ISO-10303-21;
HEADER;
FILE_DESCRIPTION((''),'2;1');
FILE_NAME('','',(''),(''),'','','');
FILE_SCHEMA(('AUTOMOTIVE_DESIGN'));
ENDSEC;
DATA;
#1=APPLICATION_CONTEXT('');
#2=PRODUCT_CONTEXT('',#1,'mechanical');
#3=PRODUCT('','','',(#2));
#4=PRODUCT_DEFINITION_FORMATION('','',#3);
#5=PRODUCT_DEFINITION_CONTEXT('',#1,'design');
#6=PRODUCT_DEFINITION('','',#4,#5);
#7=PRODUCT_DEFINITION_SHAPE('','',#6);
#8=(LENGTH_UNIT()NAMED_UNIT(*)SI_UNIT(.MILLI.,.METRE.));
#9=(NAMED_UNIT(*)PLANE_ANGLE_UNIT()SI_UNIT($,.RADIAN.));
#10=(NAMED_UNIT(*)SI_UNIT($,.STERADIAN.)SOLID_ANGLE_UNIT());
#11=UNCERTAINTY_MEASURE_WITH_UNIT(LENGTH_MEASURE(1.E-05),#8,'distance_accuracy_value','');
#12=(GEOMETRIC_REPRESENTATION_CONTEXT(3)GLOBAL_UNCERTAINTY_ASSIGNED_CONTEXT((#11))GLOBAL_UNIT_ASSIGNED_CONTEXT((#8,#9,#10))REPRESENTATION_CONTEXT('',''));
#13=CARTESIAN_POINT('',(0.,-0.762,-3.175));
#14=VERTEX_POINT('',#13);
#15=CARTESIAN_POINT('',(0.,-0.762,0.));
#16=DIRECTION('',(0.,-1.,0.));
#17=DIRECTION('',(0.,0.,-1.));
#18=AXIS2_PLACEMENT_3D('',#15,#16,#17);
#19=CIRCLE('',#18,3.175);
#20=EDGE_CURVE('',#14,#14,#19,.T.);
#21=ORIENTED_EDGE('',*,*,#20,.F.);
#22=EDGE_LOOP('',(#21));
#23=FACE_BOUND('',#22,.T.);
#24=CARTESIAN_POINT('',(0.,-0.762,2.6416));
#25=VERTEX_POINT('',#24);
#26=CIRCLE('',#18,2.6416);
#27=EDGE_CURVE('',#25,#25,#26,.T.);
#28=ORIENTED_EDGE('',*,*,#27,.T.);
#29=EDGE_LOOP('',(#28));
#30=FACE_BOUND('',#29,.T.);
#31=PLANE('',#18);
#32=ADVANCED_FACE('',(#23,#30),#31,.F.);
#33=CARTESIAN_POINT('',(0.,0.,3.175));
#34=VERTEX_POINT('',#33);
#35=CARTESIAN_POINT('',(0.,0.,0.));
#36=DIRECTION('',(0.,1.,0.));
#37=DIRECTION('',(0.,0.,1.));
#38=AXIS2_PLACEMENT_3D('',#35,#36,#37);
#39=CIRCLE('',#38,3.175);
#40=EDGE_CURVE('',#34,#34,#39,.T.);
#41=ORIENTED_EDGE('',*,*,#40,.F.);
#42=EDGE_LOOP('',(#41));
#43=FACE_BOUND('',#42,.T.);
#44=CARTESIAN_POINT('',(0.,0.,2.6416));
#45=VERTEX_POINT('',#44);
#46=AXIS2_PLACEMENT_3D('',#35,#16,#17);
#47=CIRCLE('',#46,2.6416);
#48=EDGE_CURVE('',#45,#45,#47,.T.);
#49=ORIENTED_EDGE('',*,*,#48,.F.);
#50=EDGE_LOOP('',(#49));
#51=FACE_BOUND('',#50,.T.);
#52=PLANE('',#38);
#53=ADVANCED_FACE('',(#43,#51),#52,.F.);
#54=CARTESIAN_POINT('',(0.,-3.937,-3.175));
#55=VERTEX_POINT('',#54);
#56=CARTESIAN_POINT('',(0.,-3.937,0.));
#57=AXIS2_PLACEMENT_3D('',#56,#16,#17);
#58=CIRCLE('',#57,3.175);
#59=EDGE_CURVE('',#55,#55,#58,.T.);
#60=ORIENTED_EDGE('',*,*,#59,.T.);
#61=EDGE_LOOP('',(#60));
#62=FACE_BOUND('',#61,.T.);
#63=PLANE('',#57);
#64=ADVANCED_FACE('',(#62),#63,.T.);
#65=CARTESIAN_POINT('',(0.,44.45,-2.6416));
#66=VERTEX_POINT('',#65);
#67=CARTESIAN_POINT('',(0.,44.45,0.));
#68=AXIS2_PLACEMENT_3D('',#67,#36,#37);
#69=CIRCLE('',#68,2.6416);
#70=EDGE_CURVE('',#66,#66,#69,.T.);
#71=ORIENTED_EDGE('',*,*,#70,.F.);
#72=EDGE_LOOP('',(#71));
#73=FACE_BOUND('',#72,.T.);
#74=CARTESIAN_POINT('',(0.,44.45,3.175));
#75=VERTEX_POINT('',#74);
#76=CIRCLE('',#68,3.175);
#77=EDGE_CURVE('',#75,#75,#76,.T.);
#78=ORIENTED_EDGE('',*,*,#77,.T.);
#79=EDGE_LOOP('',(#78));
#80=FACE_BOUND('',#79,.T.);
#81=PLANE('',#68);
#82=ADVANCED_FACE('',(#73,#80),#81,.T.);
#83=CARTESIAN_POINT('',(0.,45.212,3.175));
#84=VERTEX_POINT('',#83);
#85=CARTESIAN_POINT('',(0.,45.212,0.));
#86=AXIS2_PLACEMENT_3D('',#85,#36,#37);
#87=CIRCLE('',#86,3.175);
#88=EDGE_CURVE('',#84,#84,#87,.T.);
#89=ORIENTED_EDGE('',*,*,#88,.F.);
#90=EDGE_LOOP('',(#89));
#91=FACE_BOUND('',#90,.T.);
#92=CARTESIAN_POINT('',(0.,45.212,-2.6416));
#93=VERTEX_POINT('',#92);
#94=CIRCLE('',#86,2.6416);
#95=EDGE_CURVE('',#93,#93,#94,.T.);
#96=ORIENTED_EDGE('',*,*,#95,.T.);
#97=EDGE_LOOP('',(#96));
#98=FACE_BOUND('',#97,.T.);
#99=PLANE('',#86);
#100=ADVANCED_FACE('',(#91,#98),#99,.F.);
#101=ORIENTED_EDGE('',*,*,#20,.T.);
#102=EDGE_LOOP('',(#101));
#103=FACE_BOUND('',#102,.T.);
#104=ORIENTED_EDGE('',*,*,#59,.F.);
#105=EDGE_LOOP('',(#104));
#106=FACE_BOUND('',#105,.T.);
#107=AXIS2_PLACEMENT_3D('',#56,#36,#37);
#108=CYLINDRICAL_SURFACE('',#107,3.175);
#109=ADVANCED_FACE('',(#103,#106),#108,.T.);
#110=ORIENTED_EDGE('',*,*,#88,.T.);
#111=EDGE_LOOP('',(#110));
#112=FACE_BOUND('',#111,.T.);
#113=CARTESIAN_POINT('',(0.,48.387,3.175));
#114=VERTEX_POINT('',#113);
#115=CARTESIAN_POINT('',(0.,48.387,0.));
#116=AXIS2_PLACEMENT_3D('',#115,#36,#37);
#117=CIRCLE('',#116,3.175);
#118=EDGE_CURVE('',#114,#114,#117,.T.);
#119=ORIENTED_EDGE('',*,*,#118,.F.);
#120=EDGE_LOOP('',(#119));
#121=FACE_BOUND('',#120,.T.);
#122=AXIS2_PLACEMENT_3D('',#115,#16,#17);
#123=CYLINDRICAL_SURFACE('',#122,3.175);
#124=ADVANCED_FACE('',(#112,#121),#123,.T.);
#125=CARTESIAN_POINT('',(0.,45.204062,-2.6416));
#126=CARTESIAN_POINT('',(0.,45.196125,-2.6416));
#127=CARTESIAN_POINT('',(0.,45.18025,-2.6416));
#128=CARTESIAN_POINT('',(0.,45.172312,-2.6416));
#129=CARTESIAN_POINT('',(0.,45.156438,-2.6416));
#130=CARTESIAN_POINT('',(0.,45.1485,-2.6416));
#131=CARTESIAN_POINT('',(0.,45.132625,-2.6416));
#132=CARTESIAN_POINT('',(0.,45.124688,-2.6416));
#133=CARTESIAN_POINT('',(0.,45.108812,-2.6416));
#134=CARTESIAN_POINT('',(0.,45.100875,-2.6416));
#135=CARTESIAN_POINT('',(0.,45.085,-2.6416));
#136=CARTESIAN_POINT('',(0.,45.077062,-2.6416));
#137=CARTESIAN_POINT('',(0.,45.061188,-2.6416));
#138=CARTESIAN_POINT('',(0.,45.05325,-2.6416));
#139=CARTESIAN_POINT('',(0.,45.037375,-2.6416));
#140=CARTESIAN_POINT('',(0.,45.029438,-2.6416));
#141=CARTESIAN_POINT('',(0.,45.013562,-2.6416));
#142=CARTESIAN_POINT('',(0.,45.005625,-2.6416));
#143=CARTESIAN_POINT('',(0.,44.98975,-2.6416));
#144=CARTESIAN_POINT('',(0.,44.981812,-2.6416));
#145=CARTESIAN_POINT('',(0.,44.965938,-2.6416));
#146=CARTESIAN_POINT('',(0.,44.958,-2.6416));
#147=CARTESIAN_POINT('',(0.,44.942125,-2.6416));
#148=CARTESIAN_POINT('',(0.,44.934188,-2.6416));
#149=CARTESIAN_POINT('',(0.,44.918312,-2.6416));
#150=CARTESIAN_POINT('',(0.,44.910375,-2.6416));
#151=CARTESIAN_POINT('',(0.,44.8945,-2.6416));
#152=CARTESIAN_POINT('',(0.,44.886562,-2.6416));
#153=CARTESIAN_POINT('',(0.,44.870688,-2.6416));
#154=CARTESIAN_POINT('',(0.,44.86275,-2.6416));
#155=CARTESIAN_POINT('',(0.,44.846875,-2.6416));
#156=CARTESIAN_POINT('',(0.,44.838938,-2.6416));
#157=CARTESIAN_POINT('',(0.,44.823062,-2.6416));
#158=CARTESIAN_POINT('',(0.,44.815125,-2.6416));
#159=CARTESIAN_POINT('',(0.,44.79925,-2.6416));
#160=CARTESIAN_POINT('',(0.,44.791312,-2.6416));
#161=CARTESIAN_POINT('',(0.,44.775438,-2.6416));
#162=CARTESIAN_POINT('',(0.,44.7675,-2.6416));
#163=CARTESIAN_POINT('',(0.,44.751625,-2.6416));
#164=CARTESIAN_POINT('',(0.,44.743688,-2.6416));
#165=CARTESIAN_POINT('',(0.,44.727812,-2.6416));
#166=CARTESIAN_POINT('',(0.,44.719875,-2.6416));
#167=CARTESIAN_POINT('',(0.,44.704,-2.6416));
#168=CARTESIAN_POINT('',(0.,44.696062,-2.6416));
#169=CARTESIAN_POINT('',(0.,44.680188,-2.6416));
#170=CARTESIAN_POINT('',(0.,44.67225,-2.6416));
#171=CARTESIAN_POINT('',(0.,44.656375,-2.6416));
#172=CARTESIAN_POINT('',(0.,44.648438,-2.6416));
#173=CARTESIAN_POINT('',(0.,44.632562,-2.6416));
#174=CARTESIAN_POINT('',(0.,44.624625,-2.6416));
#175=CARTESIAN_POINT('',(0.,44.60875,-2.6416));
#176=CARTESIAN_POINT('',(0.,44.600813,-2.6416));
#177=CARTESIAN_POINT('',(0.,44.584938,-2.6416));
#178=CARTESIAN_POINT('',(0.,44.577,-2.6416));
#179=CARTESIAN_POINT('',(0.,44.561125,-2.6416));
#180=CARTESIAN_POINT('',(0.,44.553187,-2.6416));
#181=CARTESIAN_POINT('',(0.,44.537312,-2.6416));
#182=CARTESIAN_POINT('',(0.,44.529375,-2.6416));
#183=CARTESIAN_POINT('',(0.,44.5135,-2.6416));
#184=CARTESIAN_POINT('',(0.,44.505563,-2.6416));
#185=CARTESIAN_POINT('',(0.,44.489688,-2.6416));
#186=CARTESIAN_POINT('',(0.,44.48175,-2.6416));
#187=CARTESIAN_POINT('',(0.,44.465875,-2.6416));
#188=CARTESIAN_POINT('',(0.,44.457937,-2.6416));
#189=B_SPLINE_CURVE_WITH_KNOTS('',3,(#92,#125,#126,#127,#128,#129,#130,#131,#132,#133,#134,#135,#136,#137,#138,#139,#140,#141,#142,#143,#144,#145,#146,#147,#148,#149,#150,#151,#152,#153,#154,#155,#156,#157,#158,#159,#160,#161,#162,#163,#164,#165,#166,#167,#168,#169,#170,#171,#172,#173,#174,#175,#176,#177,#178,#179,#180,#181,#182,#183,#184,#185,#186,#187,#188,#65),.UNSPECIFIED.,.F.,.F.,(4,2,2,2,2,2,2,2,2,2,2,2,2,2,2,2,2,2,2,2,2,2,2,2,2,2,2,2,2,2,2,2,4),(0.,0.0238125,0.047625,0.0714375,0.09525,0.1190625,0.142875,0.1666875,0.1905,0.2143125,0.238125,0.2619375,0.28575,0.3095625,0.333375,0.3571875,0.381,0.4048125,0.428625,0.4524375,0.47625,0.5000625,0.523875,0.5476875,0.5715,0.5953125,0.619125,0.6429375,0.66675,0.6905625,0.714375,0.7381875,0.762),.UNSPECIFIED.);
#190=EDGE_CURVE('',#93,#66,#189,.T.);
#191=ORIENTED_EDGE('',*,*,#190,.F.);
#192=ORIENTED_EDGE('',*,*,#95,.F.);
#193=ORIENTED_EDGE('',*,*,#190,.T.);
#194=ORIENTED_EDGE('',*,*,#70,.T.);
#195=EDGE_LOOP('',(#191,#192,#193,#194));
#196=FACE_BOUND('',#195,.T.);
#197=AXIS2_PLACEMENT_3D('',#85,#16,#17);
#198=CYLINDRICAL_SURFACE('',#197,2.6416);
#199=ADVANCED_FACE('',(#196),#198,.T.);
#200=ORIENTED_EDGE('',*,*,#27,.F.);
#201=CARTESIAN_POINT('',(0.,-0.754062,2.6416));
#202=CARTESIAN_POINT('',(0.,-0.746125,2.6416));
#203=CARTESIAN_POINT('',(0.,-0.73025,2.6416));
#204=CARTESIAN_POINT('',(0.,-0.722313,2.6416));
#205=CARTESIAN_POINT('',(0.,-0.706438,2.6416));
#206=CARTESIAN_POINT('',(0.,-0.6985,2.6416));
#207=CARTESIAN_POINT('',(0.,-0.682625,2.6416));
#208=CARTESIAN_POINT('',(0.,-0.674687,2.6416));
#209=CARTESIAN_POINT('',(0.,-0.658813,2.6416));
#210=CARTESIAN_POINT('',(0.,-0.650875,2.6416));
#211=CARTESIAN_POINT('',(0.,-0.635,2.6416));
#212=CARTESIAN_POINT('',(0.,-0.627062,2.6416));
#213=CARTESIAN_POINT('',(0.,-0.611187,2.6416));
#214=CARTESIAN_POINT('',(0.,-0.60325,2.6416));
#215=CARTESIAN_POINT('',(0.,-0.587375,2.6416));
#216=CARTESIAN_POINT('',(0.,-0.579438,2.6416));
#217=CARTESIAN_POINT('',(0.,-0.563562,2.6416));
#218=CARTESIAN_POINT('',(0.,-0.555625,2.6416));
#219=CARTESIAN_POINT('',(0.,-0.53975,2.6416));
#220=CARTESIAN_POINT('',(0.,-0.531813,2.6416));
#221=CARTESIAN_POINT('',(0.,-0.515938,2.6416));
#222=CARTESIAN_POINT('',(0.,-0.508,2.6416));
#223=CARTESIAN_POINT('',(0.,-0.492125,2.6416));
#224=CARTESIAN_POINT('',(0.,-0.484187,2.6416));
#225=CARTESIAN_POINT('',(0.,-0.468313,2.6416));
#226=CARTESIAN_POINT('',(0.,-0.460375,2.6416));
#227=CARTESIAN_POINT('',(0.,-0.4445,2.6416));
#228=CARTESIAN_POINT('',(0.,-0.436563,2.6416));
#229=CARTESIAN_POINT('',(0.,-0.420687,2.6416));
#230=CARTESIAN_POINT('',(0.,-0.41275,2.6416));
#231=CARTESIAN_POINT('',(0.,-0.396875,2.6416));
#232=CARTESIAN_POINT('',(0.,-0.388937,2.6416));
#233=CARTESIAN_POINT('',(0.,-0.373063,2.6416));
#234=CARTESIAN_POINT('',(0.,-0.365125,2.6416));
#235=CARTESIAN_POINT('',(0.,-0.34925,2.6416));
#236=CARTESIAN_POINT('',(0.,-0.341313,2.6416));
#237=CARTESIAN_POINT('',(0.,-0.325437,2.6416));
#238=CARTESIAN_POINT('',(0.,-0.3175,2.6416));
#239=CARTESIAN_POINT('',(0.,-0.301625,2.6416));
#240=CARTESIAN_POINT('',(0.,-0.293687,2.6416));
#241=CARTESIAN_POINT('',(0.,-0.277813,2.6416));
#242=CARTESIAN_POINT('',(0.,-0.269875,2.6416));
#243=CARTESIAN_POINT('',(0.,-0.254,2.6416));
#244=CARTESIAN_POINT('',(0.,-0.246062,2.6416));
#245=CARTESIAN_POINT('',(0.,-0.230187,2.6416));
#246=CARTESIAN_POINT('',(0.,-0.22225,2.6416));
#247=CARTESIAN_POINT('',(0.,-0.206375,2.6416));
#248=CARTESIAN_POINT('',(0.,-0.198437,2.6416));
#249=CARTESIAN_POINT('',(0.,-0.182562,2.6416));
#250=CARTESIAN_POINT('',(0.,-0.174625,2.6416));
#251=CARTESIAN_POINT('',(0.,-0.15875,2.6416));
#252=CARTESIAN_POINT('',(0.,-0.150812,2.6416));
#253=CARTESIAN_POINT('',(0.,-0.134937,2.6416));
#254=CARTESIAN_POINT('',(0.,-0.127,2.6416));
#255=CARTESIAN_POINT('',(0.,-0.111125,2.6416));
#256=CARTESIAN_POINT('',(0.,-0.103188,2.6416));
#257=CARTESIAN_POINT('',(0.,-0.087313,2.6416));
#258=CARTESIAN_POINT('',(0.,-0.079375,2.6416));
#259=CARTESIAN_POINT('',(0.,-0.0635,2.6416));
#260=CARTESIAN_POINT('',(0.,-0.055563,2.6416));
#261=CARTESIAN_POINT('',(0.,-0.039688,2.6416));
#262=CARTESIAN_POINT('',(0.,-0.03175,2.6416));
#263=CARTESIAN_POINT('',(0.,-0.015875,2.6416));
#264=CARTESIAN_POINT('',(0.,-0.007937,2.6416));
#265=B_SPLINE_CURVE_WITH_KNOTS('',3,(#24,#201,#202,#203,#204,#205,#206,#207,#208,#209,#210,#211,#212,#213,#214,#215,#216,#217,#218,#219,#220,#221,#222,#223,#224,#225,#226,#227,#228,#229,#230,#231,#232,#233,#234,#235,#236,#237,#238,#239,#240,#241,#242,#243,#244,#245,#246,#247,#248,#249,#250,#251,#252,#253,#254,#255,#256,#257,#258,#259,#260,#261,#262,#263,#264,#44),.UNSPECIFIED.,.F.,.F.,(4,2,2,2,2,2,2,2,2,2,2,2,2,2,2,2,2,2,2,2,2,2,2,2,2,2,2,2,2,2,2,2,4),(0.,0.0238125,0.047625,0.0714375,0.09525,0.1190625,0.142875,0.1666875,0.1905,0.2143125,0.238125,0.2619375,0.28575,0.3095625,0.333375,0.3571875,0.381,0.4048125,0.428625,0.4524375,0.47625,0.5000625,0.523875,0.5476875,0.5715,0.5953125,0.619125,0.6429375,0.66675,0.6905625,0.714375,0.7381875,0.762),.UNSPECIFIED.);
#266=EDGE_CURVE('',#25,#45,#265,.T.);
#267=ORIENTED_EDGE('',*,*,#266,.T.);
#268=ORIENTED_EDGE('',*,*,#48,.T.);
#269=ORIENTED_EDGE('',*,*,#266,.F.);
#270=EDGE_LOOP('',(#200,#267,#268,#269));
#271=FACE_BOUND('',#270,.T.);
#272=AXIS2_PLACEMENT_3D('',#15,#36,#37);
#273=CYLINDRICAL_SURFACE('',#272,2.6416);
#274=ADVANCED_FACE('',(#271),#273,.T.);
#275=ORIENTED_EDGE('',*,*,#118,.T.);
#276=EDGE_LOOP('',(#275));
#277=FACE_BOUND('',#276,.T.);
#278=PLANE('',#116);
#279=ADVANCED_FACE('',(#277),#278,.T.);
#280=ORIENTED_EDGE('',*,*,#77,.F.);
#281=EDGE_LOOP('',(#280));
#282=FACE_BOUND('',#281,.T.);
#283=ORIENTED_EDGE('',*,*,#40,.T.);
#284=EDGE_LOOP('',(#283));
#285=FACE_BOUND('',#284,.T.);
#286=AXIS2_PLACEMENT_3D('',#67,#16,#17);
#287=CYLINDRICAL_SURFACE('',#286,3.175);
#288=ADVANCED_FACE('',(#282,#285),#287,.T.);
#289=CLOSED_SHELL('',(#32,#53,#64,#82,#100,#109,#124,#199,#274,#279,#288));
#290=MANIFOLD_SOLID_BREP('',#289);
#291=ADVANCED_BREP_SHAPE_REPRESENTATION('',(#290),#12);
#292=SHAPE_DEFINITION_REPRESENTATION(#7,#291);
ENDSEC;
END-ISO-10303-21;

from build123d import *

# Parameters (mm, degrees)
SKETCH1_R           = 3.175
BOSS_EXTRUDE1_DEPTH = 44.45
SKETCH3_R           = 2.6416
BOSS_EXTRUDE2_DEPTH = 0.762
SKETCH4_R           = 3.175
BOSS_EXTRUDE3_DEPTH = 3.175
BOSS_EXTRUDE4_START = 0.762
SKETCH5_R           = 2.6416
BOSS_EXTRUDE4_DEPTH = 0.762
BOSS_EXTRUDE5_START = 3.175
SKETCH6_R           = 3.175
BOSS_EXTRUDE5_DEPTH = 3.175


with BuildPart() as part:
    # Sketch1 → Boss-Extrude1 (new body)
    with BuildSketch(Plane(origin=(0, 0, 0), x_dir=(1, 0, 0), z_dir=(0, 1, 0))):
        with Locations(Location((0, 0, 0), (0, 0, 270))):
            Circle(SKETCH1_R)
    extrude(amount=BOSS_EXTRUDE1_DEPTH)

    # Sketch3 → Boss-Extrude2 (add)
    with BuildSketch(Plane(origin=(0, 44.45, 0), x_dir=(1, 0, 0), z_dir=(0, 1, 0))):
        with Locations(Location((0, 0, 0), (0, 0, 90))):
            Circle(SKETCH3_R)
    extrude(amount=BOSS_EXTRUDE2_DEPTH)

    # Sketch4 → Boss-Extrude3 (add)
    with BuildSketch(Plane(origin=(0, 45.212, 0), x_dir=(1, 0, 0), z_dir=(0, 1, 0))):
        with Locations(Location((0, 0, 0), (0, 0, 270))):
            Circle(SKETCH4_R)
    extrude(amount=BOSS_EXTRUDE3_DEPTH)

    # Sketch5 → Boss-Extrude4 (add)
    with BuildSketch(Plane.XZ.offset(BOSS_EXTRUDE4_START)):
        with Locations(Location((0, 0, 0), (0, 0, 270))):
            Circle(SKETCH5_R)
    extrude(amount=-BOSS_EXTRUDE4_DEPTH)

    # Sketch6 → Boss-Extrude5 (add)
    with BuildSketch(Plane.XZ.offset(0.762).offset(BOSS_EXTRUDE5_START)):
        with Locations(Location((0, 0, 0), (0, 0, 90))):
            Circle(SKETCH6_R)
    extrude(amount=-BOSS_EXTRUDE5_DEPTH)


solid = part.part
